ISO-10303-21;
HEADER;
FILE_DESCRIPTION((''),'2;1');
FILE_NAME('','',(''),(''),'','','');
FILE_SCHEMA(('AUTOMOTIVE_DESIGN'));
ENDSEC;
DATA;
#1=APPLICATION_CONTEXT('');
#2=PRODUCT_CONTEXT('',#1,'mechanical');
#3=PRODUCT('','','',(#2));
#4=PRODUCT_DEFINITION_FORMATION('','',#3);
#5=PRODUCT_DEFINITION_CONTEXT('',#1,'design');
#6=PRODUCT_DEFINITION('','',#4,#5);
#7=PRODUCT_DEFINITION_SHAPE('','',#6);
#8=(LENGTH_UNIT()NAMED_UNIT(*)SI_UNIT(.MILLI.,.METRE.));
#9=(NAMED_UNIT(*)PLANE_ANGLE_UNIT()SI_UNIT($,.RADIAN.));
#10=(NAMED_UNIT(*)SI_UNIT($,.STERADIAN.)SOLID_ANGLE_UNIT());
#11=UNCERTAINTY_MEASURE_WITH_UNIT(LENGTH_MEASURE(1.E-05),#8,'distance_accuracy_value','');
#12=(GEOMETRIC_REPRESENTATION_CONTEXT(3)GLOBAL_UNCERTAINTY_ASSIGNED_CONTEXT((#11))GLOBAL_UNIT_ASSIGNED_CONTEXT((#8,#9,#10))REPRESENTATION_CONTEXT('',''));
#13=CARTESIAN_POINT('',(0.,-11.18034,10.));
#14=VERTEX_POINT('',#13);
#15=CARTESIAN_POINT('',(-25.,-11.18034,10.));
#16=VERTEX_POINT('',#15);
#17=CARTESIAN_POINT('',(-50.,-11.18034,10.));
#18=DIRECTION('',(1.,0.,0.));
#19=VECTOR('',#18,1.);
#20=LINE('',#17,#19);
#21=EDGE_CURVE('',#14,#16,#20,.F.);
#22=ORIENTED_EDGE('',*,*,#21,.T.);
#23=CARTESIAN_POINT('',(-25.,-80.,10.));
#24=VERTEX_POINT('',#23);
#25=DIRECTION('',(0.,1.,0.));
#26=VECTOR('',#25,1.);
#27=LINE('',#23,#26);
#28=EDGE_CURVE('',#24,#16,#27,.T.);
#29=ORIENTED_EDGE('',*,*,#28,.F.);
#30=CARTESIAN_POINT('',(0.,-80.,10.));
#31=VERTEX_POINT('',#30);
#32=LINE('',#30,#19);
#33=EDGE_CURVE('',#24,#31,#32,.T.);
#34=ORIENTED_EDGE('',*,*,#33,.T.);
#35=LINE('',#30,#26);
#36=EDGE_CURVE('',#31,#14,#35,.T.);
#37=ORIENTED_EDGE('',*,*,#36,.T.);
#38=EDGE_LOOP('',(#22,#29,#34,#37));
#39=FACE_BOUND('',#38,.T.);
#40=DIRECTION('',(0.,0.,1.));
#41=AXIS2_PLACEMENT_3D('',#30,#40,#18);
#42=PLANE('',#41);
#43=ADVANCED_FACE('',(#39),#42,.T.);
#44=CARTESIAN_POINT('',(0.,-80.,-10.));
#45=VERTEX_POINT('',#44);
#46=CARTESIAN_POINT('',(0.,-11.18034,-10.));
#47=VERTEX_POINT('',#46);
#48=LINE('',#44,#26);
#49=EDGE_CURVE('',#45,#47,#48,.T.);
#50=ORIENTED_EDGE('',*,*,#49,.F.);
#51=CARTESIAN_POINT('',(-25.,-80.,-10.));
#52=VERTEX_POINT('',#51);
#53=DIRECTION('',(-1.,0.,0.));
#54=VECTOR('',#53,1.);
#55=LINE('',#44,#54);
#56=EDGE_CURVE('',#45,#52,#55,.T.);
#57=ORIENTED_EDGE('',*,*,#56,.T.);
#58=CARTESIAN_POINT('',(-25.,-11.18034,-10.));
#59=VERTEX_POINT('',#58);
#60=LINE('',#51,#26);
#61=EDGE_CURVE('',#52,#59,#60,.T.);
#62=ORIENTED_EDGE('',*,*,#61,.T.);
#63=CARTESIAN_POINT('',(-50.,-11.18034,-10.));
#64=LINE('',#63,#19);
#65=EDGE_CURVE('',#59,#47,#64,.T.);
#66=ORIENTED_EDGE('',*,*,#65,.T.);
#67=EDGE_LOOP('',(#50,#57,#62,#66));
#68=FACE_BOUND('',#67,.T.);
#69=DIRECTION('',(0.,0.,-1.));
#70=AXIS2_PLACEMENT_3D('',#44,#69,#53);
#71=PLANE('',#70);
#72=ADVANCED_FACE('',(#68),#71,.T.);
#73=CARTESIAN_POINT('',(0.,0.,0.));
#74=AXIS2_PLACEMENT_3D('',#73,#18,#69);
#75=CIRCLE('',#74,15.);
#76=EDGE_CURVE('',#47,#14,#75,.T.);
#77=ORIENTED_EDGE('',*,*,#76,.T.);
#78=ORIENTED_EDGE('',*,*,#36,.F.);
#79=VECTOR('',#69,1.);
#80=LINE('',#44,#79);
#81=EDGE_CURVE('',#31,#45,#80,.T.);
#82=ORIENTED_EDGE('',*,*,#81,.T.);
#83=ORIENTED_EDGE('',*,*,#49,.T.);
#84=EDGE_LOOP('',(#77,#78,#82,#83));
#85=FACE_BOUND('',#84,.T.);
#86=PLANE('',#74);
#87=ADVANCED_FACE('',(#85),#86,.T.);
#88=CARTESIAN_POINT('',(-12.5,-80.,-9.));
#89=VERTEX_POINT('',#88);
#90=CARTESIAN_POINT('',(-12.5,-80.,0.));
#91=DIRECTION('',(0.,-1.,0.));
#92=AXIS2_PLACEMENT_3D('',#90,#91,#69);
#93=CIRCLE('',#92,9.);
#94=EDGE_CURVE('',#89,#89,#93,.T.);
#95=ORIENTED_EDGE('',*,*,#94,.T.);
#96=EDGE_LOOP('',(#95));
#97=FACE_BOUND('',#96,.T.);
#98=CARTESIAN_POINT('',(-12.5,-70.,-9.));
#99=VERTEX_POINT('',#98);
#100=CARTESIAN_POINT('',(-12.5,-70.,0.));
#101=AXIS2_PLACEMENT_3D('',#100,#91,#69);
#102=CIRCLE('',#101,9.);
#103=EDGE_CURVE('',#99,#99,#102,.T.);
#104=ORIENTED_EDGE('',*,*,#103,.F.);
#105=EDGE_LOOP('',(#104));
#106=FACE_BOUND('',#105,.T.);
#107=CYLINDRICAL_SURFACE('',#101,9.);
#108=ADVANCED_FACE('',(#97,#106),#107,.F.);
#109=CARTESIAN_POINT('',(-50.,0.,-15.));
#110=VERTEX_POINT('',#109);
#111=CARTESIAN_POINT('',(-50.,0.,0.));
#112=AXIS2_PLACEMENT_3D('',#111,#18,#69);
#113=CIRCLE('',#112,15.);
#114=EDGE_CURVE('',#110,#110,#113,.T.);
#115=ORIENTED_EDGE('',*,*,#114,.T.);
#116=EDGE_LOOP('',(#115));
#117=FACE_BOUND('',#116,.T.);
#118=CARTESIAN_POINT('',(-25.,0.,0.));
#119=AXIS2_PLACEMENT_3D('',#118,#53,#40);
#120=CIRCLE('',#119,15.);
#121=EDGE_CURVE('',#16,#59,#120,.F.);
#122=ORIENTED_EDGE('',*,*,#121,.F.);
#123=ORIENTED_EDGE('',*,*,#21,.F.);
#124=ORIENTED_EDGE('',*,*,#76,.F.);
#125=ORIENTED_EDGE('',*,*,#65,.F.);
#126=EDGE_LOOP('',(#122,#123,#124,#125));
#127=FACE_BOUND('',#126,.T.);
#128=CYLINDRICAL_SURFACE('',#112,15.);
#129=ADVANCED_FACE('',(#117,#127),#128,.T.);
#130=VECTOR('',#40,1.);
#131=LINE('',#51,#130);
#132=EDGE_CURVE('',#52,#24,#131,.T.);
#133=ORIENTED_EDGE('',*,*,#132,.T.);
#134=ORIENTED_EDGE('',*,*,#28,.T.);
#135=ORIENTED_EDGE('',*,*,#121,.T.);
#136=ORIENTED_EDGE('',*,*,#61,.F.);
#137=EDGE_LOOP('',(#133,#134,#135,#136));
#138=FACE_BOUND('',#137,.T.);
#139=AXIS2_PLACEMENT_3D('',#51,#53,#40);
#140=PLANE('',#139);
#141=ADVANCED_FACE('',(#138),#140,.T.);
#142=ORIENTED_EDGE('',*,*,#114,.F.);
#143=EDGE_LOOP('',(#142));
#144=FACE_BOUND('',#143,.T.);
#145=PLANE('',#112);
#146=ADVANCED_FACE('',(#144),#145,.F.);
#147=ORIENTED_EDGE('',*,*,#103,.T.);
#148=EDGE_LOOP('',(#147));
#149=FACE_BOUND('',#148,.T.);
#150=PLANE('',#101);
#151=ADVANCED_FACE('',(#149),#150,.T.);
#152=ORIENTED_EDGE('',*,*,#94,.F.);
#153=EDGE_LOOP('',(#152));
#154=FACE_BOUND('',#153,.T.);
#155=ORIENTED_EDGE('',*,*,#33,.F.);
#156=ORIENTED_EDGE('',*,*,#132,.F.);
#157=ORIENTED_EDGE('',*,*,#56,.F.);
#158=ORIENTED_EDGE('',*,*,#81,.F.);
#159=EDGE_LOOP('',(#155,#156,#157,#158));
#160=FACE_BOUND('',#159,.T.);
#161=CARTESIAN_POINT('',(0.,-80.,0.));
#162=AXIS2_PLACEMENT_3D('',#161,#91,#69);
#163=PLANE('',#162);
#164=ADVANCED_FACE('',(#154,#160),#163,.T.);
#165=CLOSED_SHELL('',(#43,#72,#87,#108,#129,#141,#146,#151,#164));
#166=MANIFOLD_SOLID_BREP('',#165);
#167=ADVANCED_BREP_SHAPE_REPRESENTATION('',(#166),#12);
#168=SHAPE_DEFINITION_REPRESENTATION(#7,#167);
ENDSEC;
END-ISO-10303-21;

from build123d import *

# Parameters (mm, degrees)
SKETCH1_R           = 15
BOSS_EXTRUDE1_DEPTH = 50
SKETCH2_W           = 25
SKETCH2_H           = 20
BOSS_EXTRUDE2_DEPTH = 80
SKETCH3_R           = 9
CUT_EXTRUDE2_DEPTH  = 10


with BuildPart() as part:
    # Sketch1 → Boss-Extrude1 (new body)
    with BuildSketch(Plane(origin=(0, 0, 0), x_dir=(0, 0, -1), z_dir=(1, 0, 0))):
        Circle(SKETCH1_R)
    extrude(amount=-BOSS_EXTRUDE1_DEPTH)

    # Sketch2 → Boss-Extrude2 (add)
    with BuildSketch(Plane(origin=(0, 0, 0), x_dir=(1, 0, 0), z_dir=(0, 1, 0))):
        with Locations((-12.5, 0)):
            Rectangle(SKETCH2_W, SKETCH2_H)
    extrude(amount=-BOSS_EXTRUDE2_DEPTH)

    # Sketch3 → Cut-Extrude2 (cut)
    with BuildSketch(Plane.XZ.offset(80)):
        with Locations(Location((-12.5, 0, 0), (0, 0, 270))):
            Circle(SKETCH3_R)
    extrude(amount=-CUT_EXTRUDE2_DEPTH, mode=Mode.SUBTRACT)


solid = part.part
